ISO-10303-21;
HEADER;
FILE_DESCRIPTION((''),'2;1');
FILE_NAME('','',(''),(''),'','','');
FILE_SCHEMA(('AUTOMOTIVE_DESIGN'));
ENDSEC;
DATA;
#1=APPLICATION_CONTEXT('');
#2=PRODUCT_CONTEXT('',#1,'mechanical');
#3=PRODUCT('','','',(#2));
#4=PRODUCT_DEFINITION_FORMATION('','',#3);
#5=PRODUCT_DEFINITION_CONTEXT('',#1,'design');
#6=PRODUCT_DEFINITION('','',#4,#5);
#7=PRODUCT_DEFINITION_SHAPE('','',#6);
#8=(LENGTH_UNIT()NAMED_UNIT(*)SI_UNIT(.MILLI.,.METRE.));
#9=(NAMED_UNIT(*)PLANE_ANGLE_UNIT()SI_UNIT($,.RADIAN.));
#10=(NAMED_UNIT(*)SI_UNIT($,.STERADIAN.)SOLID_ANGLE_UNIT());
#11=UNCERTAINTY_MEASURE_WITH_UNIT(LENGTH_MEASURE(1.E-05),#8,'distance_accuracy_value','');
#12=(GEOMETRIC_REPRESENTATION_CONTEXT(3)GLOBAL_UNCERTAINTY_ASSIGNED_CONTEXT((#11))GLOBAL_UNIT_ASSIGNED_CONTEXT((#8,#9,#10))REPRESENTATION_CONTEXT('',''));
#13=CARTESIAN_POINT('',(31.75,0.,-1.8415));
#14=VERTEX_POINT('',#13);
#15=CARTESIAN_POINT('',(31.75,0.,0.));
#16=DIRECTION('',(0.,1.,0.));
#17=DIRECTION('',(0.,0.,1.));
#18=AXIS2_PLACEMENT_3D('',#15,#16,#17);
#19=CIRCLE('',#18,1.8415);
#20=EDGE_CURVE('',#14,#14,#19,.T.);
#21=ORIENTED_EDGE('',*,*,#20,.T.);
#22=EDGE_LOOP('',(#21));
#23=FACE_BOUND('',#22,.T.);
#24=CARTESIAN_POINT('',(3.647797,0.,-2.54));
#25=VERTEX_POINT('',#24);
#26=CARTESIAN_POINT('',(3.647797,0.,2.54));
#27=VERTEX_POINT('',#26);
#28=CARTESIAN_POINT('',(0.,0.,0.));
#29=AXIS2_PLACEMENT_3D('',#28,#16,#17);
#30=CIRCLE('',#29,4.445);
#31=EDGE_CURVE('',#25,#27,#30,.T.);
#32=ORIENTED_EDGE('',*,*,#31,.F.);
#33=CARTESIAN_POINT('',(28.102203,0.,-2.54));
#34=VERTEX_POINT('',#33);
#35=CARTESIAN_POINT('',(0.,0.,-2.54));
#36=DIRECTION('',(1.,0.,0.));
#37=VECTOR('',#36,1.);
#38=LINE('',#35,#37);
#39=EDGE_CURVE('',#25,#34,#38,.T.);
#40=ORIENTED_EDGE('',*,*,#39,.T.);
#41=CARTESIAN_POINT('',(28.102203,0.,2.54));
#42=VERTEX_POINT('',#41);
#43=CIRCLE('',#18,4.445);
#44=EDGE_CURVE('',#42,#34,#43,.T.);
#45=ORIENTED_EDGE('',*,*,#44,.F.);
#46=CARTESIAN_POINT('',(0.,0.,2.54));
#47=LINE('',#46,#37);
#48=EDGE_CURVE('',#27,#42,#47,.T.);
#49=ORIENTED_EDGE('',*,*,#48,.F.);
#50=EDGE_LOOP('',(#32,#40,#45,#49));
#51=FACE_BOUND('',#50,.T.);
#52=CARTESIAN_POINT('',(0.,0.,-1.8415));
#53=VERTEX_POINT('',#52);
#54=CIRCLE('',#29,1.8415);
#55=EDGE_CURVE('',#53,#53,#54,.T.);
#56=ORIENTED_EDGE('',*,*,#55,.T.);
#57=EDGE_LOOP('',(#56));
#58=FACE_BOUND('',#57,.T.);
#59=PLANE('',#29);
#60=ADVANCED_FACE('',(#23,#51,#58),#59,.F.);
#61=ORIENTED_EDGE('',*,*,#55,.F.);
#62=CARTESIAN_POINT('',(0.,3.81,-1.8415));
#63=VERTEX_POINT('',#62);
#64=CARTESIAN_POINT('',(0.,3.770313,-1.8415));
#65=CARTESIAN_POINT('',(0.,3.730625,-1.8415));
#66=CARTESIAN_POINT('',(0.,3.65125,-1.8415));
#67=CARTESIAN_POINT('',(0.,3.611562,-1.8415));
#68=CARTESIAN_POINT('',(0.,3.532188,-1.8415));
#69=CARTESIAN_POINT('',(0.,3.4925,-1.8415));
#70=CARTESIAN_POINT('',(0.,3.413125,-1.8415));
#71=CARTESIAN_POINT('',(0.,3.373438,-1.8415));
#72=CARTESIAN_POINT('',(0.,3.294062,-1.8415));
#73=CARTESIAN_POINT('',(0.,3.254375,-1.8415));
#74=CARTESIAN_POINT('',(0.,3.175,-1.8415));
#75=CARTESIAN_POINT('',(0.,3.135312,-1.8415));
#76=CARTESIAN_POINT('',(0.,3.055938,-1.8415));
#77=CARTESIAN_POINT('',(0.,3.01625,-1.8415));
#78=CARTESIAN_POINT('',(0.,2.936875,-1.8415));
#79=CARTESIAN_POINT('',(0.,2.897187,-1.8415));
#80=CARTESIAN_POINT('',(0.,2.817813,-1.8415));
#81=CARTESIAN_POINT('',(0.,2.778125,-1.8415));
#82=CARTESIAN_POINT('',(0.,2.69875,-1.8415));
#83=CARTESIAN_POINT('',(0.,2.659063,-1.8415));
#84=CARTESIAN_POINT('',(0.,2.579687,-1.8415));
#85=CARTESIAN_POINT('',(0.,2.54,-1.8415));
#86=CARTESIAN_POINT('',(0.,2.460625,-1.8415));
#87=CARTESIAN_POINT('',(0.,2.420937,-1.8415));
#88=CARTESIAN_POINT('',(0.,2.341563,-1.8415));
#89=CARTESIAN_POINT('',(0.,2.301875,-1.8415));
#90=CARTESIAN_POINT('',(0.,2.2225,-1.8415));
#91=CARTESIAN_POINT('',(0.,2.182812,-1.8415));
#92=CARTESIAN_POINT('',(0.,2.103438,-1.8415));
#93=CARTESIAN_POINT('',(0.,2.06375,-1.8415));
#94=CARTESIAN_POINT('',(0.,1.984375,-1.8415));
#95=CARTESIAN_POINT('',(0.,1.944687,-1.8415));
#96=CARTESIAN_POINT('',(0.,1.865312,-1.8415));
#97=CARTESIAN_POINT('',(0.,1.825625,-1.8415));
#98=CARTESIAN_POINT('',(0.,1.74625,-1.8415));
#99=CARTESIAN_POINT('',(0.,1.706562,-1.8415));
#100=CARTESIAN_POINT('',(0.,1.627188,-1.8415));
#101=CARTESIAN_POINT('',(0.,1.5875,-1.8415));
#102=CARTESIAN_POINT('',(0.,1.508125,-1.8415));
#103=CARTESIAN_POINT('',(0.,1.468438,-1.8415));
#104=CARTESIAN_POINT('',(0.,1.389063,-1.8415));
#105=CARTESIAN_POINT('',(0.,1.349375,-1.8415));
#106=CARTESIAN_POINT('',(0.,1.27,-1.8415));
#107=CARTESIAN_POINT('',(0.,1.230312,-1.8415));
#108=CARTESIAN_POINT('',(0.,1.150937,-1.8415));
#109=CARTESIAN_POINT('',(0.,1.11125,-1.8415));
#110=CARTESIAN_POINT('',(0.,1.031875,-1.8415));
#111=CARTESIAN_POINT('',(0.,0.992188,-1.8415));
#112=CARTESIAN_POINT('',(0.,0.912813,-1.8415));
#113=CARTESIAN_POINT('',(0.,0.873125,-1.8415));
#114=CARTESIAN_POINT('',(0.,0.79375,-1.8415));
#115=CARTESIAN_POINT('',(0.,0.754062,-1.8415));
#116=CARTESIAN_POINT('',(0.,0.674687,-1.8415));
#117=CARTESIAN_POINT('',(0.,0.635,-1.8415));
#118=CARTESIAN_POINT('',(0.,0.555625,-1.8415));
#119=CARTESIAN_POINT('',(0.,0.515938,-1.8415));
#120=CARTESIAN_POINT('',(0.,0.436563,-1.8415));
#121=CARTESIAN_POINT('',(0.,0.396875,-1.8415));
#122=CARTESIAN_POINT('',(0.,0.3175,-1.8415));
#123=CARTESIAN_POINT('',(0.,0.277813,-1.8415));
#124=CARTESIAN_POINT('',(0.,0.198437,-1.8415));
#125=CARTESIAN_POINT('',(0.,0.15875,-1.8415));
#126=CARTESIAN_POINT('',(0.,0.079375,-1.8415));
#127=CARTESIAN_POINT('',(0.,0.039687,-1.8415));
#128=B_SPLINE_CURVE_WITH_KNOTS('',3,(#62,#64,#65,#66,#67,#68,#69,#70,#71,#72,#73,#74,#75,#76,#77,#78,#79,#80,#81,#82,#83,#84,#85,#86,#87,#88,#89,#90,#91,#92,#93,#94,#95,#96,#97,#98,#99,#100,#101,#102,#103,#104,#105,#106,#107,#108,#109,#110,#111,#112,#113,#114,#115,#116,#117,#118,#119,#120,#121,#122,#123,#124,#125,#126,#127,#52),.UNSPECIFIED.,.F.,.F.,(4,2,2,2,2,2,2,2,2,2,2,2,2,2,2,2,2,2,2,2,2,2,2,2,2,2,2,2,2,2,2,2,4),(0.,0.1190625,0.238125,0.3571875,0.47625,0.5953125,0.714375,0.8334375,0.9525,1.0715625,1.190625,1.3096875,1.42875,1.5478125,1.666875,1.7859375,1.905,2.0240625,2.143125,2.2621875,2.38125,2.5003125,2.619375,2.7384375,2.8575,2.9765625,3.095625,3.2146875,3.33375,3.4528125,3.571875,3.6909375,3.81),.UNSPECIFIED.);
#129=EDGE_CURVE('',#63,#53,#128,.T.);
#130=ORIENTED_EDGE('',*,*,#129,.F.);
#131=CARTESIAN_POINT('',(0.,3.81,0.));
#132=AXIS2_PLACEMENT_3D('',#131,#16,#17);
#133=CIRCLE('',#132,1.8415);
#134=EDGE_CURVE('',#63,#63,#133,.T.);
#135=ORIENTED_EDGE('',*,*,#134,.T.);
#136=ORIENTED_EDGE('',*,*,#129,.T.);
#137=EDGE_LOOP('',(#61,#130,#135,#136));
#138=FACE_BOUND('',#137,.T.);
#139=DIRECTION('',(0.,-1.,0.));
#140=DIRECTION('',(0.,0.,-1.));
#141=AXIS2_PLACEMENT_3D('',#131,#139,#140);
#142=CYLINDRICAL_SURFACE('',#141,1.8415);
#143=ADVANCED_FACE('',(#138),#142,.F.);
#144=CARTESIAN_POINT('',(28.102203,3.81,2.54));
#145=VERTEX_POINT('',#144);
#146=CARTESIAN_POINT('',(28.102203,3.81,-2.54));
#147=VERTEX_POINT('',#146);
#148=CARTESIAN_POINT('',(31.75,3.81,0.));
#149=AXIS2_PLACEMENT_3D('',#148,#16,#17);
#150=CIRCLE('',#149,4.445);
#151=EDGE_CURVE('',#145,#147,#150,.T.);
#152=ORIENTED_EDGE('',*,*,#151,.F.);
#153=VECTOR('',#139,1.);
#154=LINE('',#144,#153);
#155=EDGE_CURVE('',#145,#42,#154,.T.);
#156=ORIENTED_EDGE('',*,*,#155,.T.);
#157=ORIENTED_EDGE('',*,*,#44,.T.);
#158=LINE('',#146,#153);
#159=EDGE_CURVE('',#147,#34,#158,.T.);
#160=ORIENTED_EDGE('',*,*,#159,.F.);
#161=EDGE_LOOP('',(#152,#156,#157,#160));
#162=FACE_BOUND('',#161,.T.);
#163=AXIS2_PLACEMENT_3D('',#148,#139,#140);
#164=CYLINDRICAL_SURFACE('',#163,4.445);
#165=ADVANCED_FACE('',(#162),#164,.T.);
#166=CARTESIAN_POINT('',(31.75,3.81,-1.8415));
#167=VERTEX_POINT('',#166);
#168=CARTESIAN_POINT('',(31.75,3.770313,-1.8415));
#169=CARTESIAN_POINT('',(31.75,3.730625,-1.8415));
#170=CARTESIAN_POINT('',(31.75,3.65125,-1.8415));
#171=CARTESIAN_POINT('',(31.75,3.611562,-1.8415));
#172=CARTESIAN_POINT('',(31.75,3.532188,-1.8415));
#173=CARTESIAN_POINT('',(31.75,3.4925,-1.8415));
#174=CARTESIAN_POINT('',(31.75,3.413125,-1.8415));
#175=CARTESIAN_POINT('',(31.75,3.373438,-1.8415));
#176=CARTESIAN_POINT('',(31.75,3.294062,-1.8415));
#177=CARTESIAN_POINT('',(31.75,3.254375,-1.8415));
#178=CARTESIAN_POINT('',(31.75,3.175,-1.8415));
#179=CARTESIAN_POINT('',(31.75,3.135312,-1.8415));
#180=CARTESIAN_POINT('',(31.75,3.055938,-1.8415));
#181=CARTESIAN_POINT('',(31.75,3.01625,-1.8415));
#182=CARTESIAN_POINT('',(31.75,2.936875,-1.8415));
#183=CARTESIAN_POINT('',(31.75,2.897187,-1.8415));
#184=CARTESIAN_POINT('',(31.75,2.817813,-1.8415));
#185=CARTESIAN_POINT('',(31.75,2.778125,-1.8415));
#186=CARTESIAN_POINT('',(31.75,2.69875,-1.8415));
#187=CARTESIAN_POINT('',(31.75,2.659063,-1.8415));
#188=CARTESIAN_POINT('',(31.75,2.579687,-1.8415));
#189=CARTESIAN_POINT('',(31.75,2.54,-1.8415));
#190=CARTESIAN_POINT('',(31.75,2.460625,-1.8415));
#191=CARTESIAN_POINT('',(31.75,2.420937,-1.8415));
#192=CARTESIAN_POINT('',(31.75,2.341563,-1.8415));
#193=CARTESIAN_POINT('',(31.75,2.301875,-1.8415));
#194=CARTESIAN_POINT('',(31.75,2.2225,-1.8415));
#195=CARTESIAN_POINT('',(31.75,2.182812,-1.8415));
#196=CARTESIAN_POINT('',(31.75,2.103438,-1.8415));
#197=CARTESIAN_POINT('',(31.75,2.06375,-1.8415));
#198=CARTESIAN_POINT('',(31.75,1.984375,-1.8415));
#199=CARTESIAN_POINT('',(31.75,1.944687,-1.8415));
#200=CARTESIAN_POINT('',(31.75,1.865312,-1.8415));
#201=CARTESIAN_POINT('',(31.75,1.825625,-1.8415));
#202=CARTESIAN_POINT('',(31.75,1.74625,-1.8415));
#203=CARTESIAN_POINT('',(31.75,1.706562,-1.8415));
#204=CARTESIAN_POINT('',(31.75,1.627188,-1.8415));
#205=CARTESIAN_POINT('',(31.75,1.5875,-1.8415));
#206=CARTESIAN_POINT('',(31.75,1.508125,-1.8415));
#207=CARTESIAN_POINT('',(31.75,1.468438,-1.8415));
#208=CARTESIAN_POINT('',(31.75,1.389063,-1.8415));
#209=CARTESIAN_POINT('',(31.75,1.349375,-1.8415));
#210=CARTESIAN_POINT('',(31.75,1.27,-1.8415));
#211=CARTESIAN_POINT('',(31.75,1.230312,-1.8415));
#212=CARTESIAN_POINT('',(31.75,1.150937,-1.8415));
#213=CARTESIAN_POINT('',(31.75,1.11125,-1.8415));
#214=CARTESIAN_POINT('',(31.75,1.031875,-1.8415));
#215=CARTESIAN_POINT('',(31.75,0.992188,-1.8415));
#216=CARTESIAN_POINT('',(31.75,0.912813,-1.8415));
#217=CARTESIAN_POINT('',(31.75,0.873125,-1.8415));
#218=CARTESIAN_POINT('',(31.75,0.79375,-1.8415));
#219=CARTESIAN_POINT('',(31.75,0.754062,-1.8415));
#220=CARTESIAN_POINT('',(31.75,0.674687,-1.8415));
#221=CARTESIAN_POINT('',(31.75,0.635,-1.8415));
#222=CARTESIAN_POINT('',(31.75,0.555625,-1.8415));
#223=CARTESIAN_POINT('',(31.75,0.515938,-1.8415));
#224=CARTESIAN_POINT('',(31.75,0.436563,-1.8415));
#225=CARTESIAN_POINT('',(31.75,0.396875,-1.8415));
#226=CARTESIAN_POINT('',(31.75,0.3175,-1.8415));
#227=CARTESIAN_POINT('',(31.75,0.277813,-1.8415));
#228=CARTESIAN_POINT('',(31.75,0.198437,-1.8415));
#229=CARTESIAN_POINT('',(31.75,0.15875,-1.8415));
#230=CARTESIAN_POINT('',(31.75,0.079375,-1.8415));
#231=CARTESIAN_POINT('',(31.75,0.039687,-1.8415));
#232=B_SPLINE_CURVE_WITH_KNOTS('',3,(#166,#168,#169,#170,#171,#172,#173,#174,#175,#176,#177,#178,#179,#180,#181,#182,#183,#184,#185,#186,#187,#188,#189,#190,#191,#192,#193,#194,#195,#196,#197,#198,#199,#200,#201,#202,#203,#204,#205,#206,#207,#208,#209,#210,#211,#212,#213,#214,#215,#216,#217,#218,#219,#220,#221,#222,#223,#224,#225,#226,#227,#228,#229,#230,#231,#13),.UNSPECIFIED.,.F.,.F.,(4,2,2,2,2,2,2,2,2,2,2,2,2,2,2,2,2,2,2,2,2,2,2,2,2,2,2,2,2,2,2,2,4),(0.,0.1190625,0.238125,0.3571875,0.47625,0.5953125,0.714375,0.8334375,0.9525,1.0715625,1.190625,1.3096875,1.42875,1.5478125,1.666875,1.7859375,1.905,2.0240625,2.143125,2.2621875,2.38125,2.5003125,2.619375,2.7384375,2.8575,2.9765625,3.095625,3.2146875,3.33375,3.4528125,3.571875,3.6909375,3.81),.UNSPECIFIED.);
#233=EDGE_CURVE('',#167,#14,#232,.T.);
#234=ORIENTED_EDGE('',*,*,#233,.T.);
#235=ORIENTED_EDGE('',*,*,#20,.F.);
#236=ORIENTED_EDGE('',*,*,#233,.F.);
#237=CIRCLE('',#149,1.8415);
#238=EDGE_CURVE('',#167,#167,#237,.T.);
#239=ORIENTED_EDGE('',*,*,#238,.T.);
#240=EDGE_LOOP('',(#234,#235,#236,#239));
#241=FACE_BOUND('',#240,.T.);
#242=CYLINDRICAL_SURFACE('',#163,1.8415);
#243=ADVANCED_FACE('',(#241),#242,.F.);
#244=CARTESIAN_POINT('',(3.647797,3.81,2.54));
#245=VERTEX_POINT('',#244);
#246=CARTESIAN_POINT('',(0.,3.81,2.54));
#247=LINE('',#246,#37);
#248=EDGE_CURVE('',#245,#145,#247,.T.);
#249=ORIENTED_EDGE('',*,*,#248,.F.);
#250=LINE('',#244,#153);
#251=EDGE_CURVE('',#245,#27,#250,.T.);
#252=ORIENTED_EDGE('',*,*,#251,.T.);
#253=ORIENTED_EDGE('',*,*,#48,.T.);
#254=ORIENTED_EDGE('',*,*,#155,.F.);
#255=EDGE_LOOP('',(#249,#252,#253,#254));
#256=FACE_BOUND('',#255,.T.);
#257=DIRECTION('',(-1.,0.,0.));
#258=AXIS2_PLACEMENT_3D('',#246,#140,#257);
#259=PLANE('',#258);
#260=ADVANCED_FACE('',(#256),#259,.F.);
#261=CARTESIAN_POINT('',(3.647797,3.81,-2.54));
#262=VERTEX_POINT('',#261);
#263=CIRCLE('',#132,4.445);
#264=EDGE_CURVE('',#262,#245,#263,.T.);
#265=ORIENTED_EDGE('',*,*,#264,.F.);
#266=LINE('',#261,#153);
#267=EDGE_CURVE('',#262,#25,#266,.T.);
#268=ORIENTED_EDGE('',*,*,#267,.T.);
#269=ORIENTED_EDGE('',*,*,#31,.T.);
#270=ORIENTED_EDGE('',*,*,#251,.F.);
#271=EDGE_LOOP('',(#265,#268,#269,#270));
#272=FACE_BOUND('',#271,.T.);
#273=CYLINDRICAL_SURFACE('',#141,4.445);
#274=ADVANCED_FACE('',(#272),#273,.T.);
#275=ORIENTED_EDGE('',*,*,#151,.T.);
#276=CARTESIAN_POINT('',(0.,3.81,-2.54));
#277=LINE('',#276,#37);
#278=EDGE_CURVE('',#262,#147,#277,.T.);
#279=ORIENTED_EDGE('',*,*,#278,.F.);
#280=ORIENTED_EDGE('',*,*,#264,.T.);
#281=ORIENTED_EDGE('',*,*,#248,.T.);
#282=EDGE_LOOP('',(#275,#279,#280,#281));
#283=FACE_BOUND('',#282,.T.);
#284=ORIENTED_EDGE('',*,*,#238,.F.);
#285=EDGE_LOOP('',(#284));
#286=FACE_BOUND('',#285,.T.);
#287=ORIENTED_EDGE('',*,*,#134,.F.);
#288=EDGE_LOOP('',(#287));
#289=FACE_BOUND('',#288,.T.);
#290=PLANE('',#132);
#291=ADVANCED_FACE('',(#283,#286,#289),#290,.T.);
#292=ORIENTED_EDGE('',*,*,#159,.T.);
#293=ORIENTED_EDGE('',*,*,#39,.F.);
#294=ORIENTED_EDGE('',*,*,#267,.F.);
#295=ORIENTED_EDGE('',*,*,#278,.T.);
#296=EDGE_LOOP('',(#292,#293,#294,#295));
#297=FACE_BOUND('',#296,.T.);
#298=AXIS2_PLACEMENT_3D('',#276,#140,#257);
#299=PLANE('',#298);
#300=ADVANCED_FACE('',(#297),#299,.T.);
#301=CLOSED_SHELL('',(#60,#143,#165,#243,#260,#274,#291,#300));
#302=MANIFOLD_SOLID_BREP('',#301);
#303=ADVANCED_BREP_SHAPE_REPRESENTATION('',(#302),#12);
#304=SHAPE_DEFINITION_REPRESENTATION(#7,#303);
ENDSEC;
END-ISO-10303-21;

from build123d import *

# Parameters (mm, degrees)
SKETCH1_R           = 1.8415
BOSS_EXTRUDE1_DEPTH = 3.81


with BuildPart() as part:
    # Sketch1 → Boss-Extrude1 (new body)
    with BuildSketch(Plane(origin=(0, 0, 0), x_dir=(1, 0, 0), z_dir=(0, 1, 0))):
        with BuildLine():
            Line((3.647797281, 2.54), (28.102202719, 2.54))
            ThreePointArc((28.102202719, 2.54), (36.195, 0), (28.102202719, -2.54))
            Line((28.102202719, -2.54), (3.647797281, -2.54))
            ThreePointArc((3.647797281, -2.54), (-4.445, 0), (3.647797281, 2.54))
        make_face()
        with Locations(Location((0, 0, 0), (0, 0, 90))):
            Circle(SKETCH1_R, mode=Mode.SUBTRACT)
        with Locations(Location((31.75, 0, 0), (0, 0, 90))):
            Circle(SKETCH1_R, mode=Mode.SUBTRACT)
    extrude(amount=BOSS_EXTRUDE1_DEPTH)


solid = part.part
